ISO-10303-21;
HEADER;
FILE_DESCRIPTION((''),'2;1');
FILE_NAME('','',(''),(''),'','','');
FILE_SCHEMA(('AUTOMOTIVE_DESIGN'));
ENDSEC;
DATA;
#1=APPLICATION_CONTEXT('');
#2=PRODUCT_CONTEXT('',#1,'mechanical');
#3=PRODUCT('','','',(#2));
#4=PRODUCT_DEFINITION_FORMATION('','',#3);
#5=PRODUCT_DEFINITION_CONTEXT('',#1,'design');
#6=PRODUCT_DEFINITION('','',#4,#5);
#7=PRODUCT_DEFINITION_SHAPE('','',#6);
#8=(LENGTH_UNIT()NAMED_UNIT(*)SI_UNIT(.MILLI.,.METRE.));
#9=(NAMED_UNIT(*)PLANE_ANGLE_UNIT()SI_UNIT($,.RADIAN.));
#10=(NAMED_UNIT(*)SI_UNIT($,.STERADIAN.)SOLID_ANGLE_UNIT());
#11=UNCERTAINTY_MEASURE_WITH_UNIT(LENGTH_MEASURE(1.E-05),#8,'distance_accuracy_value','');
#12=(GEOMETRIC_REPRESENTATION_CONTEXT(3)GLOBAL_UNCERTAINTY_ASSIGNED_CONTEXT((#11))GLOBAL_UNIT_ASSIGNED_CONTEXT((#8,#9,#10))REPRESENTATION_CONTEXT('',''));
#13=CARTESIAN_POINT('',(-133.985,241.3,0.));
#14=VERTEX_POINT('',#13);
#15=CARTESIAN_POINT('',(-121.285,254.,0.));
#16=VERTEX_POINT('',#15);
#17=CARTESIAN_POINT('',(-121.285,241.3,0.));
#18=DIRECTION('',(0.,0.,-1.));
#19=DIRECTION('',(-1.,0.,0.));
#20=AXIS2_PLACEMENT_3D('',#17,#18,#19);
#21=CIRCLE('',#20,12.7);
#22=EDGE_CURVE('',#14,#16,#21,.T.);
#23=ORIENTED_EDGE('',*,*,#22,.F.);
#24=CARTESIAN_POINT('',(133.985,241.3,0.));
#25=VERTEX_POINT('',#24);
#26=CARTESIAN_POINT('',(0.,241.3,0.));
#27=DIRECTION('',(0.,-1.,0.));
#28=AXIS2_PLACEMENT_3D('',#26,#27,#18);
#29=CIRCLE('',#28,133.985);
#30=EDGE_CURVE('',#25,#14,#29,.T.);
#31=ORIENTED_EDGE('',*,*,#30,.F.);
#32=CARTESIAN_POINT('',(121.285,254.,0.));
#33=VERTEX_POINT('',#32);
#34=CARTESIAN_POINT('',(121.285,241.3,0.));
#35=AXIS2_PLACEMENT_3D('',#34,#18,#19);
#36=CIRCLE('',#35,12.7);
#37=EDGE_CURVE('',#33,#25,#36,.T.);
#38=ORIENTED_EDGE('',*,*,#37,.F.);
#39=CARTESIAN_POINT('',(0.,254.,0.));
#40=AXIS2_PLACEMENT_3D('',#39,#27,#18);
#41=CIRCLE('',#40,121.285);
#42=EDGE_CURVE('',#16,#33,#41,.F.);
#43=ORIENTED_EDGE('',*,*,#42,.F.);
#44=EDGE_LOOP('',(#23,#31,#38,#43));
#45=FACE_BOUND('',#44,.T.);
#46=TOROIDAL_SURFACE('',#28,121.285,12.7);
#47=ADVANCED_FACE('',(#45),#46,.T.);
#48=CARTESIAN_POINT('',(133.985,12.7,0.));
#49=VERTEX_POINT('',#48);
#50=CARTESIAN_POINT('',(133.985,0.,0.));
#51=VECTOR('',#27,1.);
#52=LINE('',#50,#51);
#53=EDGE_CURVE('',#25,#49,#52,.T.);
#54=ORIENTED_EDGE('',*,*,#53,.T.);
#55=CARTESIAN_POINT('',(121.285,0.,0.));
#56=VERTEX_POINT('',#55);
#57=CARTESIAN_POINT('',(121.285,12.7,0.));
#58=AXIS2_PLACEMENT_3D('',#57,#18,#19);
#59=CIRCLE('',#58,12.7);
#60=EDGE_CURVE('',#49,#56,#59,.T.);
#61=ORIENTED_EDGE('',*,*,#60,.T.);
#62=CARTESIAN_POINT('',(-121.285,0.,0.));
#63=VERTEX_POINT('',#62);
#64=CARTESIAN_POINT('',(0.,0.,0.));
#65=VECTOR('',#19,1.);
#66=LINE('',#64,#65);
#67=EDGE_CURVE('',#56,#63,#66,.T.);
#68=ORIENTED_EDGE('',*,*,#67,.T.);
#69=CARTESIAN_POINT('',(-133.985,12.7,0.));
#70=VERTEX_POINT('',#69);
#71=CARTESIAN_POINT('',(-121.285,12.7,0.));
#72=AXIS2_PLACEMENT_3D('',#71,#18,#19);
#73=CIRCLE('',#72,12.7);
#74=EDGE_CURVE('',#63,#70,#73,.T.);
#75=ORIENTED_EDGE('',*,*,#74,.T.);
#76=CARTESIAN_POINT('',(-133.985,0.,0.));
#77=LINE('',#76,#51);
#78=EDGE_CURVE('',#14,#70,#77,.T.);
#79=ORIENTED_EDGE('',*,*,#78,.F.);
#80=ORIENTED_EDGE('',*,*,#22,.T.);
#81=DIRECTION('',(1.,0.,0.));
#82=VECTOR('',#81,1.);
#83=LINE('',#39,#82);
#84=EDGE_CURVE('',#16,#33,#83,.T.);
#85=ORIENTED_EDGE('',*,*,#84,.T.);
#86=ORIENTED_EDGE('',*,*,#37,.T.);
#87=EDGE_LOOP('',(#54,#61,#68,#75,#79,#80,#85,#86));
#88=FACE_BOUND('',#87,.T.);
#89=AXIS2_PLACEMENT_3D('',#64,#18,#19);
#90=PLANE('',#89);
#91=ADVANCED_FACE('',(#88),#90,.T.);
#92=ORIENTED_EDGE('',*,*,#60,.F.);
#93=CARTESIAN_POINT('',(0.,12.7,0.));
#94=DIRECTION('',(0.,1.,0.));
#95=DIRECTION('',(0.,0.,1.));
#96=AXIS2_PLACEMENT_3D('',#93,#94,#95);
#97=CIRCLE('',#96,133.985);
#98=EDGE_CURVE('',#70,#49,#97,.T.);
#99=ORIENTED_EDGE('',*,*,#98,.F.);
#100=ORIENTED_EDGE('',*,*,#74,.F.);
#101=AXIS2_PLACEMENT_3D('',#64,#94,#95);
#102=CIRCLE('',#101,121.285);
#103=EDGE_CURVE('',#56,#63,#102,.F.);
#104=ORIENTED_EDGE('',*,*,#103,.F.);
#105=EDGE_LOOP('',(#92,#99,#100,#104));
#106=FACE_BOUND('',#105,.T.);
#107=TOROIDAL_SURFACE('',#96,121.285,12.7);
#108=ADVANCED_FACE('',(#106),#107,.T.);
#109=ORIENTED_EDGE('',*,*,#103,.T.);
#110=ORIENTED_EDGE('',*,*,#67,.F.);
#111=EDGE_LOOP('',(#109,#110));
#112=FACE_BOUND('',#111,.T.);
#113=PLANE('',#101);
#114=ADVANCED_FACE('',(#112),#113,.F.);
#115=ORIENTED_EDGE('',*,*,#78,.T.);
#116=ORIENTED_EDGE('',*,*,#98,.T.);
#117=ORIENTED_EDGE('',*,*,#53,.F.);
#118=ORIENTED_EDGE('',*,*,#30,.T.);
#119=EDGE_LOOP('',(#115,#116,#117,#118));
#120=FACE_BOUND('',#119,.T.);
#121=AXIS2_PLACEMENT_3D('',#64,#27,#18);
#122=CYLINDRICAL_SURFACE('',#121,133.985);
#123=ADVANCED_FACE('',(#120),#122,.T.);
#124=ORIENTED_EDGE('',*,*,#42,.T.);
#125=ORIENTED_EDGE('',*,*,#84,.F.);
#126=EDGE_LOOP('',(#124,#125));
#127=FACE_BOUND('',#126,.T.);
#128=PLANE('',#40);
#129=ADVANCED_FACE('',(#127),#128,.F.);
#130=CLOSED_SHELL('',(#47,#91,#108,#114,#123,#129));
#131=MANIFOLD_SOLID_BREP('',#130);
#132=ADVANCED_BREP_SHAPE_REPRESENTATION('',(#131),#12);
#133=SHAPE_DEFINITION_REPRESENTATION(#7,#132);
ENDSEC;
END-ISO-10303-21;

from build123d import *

# Parameters (mm, degrees)
SKETCH1_W      = 133.985
SKETCH1_H      = 254
REVOLVE1_ANGLE = 180
FILLET1_R      = 12.7


with BuildPart() as part:
    # Sketch1 → Revolve1 (revolve)
    with BuildSketch(Plane.XY):
        with Locations((-66.9925, 127)):
            Rectangle(SKETCH1_W, SKETCH1_H)
    revolve(axis=Axis((0, 0, 0), (0, 1, 0)), revolution_arc=REVOLVE1_ANGLE)

    # Fillet1
    fillet1_edges = [part.edges().sort_by_distance(p)[0] for p in [
        (0, 0, 133.985),
        (0, 254, 133.985),
    ]]
    fillet(fillet1_edges, radius=FILLET1_R)


solid = part.part
